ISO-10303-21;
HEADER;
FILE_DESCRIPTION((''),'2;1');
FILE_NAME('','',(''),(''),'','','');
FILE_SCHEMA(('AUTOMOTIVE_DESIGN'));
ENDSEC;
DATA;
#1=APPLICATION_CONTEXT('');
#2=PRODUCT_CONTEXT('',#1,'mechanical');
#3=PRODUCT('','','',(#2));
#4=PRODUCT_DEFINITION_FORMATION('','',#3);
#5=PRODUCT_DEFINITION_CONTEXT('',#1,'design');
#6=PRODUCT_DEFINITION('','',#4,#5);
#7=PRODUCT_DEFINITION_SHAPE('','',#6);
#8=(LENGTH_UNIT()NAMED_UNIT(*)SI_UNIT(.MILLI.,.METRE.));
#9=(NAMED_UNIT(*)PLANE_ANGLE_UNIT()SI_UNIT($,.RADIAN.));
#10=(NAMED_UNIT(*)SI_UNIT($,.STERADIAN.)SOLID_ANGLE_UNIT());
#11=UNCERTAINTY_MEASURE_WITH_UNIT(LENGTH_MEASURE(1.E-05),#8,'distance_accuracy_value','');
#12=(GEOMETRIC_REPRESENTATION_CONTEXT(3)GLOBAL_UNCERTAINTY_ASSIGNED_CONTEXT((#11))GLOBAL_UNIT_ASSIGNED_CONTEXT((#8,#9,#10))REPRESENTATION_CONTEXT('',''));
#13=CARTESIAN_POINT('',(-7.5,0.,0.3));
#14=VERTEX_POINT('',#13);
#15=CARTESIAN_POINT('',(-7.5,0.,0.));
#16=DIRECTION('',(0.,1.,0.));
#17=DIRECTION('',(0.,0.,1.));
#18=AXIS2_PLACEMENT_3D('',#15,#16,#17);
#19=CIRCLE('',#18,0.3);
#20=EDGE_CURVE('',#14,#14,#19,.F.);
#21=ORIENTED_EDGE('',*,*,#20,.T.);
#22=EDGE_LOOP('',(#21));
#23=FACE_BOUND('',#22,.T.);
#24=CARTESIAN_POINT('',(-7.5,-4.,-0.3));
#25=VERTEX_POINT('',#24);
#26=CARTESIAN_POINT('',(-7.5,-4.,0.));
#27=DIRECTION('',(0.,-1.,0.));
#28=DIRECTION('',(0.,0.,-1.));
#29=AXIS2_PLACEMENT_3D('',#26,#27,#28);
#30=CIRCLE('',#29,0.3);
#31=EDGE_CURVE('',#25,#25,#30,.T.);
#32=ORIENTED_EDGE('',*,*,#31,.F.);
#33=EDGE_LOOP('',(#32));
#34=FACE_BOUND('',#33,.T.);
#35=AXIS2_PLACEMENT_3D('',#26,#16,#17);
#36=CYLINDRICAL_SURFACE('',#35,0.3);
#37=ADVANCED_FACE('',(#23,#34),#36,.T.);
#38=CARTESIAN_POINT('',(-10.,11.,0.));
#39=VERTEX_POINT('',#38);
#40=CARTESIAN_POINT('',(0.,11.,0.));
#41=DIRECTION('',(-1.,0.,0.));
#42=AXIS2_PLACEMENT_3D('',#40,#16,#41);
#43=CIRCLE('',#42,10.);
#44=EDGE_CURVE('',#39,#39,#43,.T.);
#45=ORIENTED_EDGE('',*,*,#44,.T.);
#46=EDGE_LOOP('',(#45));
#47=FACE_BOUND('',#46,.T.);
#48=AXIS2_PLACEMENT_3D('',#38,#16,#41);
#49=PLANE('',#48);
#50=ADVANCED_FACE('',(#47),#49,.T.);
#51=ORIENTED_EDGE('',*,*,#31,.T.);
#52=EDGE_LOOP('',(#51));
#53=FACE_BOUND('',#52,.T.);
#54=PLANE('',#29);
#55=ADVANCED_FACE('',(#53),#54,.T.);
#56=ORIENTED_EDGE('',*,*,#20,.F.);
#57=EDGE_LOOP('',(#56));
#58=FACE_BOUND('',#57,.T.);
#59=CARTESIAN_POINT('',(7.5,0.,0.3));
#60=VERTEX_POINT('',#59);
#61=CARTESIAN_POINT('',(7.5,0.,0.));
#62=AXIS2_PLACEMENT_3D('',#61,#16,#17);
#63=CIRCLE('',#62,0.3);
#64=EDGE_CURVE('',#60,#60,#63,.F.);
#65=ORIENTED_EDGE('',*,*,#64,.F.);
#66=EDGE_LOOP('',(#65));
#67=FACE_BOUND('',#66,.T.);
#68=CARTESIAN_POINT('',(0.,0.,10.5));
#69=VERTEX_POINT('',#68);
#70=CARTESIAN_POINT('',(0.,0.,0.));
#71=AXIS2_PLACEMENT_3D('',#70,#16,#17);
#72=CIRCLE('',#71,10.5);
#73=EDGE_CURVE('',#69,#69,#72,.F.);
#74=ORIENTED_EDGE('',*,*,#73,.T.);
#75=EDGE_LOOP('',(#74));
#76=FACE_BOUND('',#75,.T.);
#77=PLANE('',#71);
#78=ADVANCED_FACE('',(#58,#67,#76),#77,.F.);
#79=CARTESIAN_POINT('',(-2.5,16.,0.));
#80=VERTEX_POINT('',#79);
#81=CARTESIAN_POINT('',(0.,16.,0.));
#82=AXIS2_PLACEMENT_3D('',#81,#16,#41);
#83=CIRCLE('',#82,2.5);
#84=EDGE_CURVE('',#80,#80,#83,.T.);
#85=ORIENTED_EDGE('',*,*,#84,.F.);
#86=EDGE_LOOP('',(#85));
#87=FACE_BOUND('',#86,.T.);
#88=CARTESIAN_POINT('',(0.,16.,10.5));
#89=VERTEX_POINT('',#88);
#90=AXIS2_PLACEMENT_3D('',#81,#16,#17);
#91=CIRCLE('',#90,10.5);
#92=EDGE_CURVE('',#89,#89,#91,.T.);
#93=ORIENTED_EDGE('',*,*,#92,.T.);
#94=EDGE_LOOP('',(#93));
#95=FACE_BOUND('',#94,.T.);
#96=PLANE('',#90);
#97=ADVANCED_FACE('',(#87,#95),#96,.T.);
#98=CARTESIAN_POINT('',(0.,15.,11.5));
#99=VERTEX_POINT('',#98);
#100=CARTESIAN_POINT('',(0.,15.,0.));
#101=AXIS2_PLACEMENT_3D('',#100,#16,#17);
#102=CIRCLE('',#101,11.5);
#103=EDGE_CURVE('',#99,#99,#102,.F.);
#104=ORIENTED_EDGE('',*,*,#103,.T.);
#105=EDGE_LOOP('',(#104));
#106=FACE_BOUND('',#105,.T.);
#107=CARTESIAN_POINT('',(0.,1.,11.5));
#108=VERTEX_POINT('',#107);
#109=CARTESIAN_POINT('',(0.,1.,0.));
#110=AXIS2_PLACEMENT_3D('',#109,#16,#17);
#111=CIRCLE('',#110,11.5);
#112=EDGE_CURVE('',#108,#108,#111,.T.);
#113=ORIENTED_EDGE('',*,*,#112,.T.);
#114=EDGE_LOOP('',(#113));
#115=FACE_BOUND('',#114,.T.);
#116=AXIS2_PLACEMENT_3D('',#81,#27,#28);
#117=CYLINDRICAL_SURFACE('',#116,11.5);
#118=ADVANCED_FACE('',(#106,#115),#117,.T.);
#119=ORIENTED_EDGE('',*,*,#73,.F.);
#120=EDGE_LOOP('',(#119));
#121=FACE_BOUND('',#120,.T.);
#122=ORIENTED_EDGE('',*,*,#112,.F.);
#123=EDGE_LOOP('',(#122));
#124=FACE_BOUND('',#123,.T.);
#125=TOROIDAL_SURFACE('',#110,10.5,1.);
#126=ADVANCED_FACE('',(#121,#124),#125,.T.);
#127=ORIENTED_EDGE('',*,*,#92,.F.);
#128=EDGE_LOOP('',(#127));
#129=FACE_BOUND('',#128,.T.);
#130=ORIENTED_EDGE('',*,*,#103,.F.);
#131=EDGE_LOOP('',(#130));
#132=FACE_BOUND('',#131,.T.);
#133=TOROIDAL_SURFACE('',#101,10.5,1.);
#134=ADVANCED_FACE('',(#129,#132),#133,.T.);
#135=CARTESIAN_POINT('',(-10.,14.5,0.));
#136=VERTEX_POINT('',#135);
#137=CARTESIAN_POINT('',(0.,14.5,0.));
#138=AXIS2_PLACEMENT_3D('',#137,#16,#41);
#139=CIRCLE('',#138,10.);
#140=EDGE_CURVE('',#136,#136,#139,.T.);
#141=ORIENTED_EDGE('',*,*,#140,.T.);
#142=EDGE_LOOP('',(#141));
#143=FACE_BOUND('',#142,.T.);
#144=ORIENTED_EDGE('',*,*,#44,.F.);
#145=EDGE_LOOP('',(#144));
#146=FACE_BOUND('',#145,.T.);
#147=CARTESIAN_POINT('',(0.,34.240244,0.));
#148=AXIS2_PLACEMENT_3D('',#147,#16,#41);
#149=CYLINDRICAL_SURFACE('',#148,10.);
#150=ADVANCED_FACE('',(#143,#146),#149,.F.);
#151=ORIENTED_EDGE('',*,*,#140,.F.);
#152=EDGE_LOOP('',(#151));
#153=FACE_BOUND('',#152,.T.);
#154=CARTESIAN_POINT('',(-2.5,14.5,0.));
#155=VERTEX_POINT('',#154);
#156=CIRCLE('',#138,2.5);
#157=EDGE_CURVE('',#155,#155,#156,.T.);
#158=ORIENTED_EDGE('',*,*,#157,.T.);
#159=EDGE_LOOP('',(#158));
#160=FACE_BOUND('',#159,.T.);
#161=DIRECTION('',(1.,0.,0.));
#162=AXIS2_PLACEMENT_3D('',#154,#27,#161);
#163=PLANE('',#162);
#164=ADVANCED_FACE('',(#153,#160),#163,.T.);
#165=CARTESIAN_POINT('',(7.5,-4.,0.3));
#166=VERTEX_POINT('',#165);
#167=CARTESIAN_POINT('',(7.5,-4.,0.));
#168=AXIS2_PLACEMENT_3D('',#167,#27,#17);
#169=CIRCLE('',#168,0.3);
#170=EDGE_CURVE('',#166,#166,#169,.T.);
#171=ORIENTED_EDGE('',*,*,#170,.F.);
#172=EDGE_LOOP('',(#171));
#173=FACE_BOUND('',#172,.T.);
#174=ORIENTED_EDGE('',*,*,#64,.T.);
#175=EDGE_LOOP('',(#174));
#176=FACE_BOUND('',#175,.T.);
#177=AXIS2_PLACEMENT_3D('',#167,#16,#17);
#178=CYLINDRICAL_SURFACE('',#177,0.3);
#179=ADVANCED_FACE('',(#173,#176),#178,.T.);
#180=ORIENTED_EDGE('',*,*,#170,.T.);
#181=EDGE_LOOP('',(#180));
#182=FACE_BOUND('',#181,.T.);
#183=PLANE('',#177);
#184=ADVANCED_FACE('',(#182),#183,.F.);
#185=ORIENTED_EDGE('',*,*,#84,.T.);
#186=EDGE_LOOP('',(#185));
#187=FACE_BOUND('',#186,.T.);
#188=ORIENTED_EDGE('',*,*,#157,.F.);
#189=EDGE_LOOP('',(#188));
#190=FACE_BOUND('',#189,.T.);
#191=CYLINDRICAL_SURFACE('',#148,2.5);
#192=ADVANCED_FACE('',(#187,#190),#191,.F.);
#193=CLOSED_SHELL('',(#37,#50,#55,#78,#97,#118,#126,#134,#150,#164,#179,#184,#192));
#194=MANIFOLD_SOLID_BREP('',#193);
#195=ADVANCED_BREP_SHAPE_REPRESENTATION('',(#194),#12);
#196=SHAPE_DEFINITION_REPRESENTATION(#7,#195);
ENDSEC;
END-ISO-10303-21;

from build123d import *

# Parameters (mm, degrees)
SKETCH_1_R      = 11.5
EXTRUDE_1_DEPTH = 16
SKETCH_2_R      = 0.3
EXTRUDE_2_DEPTH = 4
FILLET_1_R      = 1


with BuildPart() as part:
    # 草图1 → 凸台-拉伸1 (new body)
    with BuildSketch(Plane(origin=(0, 0, 0), x_dir=(1, 0, 0), z_dir=(0, 1, 0))):
        with Locations(Location((0, 0, 0), (0, 0, 270))):
            Circle(SKETCH_1_R)
    extrude(amount=EXTRUDE_1_DEPTH)

    # 草图2 → 凸台-拉伸2 (add)
    with BuildSketch(Plane.XZ):
        with Locations(Location((-7.5, 0, 0), (0, 0, 90))):
            Circle(SKETCH_2_R)
        with Locations(Location((7.5, 0, 0), (0, 0, 90))):
            Circle(SKETCH_2_R)
    extrude(amount=EXTRUDE_2_DEPTH)

    # 草图3 → 切除-旋转1 (revolve, cut)
    with BuildSketch(Plane(origin=(0, 19, 0), x_dir=(1, 0, 0), z_dir=(0, 0, -1))):
        Polygon((0, 3), (-2.5, 3), (-2.5, 4.5), (-10, 4.5), (-10, 8), (0, 8), align=None)
    revolve(axis=Axis((0, 34.240243578, 0), (0, -1, 0)), mode=Mode.SUBTRACT)

    # 圆角1
    fillet_1_edges = [part.edges().sort_by_distance(p)[0] for p in [
        (0, 0, -11.5),
        (0, 16, -11.5),
    ]]
    fillet(fillet_1_edges, radius=FILLET_1_R)


solid = part.part
